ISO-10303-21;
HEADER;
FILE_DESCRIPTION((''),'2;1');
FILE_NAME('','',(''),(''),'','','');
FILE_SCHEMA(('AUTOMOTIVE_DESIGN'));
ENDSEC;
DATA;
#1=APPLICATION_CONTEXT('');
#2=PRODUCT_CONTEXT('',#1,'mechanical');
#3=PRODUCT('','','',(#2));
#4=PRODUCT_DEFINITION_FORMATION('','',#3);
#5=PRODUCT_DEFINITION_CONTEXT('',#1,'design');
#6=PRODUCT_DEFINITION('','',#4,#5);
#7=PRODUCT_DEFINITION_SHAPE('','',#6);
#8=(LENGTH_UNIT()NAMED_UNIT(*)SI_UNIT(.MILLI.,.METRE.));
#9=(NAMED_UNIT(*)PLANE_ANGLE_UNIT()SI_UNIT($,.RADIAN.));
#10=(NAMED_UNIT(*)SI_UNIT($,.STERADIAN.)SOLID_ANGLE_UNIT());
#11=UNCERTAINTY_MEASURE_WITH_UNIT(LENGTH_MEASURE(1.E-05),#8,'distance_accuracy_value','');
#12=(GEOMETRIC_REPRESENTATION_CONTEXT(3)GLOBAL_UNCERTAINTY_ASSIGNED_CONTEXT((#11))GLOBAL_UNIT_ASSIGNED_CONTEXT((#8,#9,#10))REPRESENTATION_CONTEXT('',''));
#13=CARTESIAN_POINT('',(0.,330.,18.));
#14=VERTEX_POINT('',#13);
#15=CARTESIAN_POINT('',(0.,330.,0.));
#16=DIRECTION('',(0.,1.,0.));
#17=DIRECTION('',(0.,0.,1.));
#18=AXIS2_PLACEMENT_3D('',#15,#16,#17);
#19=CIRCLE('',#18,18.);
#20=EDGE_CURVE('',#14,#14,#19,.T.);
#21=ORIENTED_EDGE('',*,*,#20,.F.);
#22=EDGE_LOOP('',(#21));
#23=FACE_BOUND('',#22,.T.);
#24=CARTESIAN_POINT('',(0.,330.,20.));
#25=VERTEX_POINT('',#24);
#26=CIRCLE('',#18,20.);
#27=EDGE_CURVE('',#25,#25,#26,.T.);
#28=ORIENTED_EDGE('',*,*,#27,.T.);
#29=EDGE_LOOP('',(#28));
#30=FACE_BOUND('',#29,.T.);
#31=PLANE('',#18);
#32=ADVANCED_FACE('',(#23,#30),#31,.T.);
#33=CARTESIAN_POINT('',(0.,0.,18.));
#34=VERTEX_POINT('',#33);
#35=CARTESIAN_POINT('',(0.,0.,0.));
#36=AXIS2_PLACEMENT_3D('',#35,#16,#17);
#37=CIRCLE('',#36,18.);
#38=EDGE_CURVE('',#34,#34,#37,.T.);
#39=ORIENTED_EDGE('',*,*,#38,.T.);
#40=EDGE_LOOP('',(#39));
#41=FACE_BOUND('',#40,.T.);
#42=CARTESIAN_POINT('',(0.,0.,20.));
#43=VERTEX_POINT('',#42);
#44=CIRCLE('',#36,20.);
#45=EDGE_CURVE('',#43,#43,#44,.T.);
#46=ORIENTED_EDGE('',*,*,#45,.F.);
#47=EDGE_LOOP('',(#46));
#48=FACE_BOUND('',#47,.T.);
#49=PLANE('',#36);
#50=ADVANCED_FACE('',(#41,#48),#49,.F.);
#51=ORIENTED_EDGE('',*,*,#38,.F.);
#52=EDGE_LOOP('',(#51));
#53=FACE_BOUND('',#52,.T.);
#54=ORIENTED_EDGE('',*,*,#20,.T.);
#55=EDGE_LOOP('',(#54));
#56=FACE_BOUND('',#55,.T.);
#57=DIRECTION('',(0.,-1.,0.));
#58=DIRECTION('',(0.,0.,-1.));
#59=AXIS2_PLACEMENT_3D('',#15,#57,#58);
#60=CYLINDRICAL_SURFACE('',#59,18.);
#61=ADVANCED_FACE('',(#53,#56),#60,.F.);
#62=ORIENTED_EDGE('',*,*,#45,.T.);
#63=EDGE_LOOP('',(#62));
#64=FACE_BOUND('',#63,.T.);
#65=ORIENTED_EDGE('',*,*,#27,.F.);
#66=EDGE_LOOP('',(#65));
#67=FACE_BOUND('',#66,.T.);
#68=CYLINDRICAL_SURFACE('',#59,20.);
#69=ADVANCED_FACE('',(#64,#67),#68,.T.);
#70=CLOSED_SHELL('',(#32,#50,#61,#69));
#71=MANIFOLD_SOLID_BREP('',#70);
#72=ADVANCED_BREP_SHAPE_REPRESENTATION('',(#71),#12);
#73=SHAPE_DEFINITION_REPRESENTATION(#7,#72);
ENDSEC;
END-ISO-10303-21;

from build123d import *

# Parameters (mm, degrees)
CROQUIS1_R              = 20
CROQUIS1_R_2            = 18
SALIENTE_EXTRUIR1_DEPTH = 330


with BuildPart() as part:
    # Croquis1 → Saliente-Extruir1 (new body)
    with BuildSketch(Plane(origin=(0, 0, 0), x_dir=(1, 0, 0), z_dir=(0, 1, 0))):
        with Locations(Location((0, 0, 0), (0, 0, 270))):
            Circle(CROQUIS1_R)
        with Locations(Location((0, 0, 0), (0, 0, 270))):
            Circle(CROQUIS1_R_2, mode=Mode.SUBTRACT)
    extrude(amount=SALIENTE_EXTRUIR1_DEPTH)


solid = part.part
